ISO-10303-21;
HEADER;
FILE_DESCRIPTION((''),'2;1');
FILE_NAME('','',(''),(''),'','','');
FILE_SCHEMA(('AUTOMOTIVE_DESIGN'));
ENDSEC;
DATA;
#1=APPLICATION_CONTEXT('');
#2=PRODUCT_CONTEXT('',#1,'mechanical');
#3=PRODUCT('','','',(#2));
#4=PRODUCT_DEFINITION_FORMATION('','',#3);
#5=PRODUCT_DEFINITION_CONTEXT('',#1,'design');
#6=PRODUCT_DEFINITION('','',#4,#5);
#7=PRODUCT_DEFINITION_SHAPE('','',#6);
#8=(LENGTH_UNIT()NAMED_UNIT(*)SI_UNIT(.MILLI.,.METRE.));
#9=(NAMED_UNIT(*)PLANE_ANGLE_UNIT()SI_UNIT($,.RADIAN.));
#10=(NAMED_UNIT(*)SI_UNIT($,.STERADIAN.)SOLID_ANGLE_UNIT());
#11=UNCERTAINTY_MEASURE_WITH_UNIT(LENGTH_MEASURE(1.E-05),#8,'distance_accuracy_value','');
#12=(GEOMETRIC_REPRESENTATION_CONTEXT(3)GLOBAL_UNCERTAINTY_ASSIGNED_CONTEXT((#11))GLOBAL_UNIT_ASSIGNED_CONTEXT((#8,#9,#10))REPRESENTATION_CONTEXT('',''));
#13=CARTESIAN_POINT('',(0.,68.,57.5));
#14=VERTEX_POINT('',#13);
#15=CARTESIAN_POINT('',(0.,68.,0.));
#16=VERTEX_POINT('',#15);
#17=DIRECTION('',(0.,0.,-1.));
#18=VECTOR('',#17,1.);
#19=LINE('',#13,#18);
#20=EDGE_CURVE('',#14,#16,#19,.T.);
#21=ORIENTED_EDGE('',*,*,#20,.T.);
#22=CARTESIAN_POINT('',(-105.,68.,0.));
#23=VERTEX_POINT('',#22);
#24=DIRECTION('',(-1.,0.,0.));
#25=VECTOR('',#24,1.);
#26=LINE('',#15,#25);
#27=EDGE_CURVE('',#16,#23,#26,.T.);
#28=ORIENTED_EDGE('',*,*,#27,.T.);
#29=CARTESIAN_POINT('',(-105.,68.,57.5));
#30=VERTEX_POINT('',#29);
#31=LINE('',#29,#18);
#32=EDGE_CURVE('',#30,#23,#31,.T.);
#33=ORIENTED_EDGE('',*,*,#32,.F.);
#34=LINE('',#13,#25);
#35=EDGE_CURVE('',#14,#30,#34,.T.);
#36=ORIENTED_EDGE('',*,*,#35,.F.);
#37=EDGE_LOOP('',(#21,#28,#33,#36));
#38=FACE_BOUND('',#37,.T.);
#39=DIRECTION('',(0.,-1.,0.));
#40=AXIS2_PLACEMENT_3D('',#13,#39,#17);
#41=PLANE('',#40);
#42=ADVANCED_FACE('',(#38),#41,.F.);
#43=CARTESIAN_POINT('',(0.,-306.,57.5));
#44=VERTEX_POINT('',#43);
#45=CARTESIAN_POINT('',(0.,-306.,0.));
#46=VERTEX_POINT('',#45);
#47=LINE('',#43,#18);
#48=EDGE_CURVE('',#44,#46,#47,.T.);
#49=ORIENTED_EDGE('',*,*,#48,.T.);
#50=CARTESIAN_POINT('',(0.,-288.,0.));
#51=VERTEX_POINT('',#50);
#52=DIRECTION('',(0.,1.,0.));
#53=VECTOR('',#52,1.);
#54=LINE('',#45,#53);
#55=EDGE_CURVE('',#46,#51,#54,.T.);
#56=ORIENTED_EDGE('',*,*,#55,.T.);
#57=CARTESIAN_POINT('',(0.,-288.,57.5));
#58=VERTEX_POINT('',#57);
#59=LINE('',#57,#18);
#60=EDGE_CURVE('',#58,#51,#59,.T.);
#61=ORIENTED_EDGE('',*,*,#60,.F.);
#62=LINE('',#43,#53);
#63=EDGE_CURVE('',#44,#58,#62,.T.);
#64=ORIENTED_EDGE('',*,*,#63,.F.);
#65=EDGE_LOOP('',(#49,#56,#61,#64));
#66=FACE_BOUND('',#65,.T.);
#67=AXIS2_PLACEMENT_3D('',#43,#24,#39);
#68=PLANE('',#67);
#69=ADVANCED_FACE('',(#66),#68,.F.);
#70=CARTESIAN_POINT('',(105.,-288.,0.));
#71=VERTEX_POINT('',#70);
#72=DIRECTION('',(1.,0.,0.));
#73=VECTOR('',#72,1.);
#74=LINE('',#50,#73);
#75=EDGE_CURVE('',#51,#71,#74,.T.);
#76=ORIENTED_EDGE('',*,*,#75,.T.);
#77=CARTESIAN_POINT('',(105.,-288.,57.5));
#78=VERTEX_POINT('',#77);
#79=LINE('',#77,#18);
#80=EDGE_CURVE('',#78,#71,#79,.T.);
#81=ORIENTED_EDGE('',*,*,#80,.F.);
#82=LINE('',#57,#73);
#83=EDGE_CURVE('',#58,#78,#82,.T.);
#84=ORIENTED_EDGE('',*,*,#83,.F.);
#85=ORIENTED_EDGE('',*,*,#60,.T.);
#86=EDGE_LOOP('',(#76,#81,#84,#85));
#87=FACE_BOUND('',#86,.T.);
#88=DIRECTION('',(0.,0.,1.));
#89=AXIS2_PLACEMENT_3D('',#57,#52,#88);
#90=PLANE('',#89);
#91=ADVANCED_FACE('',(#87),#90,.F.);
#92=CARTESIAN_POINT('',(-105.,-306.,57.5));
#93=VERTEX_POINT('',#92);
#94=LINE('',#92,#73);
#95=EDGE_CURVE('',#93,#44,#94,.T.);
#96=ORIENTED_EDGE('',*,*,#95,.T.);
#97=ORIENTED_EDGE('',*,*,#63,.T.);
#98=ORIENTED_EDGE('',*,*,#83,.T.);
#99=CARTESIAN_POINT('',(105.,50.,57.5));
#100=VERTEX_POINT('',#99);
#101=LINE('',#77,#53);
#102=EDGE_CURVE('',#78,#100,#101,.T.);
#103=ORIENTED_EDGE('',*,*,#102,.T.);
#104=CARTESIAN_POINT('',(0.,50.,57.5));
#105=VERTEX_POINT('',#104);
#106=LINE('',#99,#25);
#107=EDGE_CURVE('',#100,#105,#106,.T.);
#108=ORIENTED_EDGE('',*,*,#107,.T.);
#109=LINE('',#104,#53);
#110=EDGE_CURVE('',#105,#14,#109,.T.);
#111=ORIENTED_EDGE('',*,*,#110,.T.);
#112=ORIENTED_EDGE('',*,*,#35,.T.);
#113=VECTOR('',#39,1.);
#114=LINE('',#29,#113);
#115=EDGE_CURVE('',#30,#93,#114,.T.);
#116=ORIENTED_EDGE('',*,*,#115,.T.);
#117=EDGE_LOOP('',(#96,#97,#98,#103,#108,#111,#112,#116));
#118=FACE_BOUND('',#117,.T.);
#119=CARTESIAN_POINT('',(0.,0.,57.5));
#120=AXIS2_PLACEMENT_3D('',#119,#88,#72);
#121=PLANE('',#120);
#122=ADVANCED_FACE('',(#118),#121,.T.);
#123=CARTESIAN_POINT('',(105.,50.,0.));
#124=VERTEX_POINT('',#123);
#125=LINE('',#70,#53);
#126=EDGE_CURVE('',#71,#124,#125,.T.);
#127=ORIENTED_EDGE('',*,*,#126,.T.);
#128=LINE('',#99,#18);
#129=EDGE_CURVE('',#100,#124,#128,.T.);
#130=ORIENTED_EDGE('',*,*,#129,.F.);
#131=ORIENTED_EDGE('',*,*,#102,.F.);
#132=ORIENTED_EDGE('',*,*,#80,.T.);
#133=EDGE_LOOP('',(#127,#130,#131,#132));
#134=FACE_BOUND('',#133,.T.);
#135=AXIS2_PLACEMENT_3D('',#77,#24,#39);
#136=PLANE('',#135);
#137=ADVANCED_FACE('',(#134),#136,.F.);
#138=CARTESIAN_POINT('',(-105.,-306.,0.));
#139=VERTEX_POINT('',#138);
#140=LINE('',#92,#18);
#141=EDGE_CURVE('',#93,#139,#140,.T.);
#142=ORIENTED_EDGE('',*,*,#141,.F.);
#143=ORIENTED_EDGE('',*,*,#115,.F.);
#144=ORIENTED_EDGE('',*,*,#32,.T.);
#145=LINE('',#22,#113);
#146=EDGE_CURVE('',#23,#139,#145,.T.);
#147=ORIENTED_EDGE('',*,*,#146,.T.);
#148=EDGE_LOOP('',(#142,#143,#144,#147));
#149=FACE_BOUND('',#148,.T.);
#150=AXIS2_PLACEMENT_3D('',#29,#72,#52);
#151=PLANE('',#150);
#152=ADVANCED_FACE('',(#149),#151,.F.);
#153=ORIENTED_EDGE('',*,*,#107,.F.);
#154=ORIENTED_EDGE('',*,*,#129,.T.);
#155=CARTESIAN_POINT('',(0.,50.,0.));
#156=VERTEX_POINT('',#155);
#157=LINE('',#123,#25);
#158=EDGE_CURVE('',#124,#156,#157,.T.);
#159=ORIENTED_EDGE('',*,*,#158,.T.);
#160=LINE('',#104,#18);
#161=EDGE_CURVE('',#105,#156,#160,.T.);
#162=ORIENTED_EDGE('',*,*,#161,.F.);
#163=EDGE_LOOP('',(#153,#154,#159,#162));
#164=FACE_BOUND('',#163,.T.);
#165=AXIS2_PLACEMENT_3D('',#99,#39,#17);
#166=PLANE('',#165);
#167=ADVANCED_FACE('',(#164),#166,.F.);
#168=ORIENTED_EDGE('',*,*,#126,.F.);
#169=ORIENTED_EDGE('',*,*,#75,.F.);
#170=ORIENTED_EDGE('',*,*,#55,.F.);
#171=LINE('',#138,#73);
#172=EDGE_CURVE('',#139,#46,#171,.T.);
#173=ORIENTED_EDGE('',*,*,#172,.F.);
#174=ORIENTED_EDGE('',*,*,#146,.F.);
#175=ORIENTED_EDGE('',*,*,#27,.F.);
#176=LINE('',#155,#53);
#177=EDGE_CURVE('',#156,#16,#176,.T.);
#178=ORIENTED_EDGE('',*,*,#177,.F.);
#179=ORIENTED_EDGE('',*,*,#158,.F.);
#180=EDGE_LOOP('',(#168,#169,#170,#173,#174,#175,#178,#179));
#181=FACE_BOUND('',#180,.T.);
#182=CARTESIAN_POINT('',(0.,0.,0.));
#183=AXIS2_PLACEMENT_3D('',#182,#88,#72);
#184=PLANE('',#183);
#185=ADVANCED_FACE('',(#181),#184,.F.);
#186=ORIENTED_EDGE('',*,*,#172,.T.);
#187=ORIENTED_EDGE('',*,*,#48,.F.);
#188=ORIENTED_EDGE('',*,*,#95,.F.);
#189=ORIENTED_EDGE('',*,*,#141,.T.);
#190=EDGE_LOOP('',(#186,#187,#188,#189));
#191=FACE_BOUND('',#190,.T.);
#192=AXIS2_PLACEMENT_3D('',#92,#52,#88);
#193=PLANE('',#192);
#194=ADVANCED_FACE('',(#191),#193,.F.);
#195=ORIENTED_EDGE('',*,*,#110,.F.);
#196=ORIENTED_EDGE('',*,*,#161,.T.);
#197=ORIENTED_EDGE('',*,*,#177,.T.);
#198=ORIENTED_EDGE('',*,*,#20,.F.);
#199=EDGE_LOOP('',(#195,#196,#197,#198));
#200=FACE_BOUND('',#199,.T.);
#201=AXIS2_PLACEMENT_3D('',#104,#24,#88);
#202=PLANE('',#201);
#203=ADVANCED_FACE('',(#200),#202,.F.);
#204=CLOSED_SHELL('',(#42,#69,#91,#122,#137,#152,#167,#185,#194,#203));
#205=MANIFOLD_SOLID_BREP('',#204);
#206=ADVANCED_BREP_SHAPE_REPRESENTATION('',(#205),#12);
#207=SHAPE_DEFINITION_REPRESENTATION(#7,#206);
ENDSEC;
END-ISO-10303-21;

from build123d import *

# Parameters (mm, degrees)
BOSS_EXTRUDE1_DEPTH = 57.5


with BuildPart() as part:
    # Sketch2 → Boss-Extrude1 (new body)
    with BuildSketch(Plane.XY):
        Polygon((-105, 68), (-105, -306), (0, -306), (0, -288), (105, -288), (105, 50), (0, 50), (0, 68), align=None)
    extrude(amount=BOSS_EXTRUDE1_DEPTH)


solid = part.part
